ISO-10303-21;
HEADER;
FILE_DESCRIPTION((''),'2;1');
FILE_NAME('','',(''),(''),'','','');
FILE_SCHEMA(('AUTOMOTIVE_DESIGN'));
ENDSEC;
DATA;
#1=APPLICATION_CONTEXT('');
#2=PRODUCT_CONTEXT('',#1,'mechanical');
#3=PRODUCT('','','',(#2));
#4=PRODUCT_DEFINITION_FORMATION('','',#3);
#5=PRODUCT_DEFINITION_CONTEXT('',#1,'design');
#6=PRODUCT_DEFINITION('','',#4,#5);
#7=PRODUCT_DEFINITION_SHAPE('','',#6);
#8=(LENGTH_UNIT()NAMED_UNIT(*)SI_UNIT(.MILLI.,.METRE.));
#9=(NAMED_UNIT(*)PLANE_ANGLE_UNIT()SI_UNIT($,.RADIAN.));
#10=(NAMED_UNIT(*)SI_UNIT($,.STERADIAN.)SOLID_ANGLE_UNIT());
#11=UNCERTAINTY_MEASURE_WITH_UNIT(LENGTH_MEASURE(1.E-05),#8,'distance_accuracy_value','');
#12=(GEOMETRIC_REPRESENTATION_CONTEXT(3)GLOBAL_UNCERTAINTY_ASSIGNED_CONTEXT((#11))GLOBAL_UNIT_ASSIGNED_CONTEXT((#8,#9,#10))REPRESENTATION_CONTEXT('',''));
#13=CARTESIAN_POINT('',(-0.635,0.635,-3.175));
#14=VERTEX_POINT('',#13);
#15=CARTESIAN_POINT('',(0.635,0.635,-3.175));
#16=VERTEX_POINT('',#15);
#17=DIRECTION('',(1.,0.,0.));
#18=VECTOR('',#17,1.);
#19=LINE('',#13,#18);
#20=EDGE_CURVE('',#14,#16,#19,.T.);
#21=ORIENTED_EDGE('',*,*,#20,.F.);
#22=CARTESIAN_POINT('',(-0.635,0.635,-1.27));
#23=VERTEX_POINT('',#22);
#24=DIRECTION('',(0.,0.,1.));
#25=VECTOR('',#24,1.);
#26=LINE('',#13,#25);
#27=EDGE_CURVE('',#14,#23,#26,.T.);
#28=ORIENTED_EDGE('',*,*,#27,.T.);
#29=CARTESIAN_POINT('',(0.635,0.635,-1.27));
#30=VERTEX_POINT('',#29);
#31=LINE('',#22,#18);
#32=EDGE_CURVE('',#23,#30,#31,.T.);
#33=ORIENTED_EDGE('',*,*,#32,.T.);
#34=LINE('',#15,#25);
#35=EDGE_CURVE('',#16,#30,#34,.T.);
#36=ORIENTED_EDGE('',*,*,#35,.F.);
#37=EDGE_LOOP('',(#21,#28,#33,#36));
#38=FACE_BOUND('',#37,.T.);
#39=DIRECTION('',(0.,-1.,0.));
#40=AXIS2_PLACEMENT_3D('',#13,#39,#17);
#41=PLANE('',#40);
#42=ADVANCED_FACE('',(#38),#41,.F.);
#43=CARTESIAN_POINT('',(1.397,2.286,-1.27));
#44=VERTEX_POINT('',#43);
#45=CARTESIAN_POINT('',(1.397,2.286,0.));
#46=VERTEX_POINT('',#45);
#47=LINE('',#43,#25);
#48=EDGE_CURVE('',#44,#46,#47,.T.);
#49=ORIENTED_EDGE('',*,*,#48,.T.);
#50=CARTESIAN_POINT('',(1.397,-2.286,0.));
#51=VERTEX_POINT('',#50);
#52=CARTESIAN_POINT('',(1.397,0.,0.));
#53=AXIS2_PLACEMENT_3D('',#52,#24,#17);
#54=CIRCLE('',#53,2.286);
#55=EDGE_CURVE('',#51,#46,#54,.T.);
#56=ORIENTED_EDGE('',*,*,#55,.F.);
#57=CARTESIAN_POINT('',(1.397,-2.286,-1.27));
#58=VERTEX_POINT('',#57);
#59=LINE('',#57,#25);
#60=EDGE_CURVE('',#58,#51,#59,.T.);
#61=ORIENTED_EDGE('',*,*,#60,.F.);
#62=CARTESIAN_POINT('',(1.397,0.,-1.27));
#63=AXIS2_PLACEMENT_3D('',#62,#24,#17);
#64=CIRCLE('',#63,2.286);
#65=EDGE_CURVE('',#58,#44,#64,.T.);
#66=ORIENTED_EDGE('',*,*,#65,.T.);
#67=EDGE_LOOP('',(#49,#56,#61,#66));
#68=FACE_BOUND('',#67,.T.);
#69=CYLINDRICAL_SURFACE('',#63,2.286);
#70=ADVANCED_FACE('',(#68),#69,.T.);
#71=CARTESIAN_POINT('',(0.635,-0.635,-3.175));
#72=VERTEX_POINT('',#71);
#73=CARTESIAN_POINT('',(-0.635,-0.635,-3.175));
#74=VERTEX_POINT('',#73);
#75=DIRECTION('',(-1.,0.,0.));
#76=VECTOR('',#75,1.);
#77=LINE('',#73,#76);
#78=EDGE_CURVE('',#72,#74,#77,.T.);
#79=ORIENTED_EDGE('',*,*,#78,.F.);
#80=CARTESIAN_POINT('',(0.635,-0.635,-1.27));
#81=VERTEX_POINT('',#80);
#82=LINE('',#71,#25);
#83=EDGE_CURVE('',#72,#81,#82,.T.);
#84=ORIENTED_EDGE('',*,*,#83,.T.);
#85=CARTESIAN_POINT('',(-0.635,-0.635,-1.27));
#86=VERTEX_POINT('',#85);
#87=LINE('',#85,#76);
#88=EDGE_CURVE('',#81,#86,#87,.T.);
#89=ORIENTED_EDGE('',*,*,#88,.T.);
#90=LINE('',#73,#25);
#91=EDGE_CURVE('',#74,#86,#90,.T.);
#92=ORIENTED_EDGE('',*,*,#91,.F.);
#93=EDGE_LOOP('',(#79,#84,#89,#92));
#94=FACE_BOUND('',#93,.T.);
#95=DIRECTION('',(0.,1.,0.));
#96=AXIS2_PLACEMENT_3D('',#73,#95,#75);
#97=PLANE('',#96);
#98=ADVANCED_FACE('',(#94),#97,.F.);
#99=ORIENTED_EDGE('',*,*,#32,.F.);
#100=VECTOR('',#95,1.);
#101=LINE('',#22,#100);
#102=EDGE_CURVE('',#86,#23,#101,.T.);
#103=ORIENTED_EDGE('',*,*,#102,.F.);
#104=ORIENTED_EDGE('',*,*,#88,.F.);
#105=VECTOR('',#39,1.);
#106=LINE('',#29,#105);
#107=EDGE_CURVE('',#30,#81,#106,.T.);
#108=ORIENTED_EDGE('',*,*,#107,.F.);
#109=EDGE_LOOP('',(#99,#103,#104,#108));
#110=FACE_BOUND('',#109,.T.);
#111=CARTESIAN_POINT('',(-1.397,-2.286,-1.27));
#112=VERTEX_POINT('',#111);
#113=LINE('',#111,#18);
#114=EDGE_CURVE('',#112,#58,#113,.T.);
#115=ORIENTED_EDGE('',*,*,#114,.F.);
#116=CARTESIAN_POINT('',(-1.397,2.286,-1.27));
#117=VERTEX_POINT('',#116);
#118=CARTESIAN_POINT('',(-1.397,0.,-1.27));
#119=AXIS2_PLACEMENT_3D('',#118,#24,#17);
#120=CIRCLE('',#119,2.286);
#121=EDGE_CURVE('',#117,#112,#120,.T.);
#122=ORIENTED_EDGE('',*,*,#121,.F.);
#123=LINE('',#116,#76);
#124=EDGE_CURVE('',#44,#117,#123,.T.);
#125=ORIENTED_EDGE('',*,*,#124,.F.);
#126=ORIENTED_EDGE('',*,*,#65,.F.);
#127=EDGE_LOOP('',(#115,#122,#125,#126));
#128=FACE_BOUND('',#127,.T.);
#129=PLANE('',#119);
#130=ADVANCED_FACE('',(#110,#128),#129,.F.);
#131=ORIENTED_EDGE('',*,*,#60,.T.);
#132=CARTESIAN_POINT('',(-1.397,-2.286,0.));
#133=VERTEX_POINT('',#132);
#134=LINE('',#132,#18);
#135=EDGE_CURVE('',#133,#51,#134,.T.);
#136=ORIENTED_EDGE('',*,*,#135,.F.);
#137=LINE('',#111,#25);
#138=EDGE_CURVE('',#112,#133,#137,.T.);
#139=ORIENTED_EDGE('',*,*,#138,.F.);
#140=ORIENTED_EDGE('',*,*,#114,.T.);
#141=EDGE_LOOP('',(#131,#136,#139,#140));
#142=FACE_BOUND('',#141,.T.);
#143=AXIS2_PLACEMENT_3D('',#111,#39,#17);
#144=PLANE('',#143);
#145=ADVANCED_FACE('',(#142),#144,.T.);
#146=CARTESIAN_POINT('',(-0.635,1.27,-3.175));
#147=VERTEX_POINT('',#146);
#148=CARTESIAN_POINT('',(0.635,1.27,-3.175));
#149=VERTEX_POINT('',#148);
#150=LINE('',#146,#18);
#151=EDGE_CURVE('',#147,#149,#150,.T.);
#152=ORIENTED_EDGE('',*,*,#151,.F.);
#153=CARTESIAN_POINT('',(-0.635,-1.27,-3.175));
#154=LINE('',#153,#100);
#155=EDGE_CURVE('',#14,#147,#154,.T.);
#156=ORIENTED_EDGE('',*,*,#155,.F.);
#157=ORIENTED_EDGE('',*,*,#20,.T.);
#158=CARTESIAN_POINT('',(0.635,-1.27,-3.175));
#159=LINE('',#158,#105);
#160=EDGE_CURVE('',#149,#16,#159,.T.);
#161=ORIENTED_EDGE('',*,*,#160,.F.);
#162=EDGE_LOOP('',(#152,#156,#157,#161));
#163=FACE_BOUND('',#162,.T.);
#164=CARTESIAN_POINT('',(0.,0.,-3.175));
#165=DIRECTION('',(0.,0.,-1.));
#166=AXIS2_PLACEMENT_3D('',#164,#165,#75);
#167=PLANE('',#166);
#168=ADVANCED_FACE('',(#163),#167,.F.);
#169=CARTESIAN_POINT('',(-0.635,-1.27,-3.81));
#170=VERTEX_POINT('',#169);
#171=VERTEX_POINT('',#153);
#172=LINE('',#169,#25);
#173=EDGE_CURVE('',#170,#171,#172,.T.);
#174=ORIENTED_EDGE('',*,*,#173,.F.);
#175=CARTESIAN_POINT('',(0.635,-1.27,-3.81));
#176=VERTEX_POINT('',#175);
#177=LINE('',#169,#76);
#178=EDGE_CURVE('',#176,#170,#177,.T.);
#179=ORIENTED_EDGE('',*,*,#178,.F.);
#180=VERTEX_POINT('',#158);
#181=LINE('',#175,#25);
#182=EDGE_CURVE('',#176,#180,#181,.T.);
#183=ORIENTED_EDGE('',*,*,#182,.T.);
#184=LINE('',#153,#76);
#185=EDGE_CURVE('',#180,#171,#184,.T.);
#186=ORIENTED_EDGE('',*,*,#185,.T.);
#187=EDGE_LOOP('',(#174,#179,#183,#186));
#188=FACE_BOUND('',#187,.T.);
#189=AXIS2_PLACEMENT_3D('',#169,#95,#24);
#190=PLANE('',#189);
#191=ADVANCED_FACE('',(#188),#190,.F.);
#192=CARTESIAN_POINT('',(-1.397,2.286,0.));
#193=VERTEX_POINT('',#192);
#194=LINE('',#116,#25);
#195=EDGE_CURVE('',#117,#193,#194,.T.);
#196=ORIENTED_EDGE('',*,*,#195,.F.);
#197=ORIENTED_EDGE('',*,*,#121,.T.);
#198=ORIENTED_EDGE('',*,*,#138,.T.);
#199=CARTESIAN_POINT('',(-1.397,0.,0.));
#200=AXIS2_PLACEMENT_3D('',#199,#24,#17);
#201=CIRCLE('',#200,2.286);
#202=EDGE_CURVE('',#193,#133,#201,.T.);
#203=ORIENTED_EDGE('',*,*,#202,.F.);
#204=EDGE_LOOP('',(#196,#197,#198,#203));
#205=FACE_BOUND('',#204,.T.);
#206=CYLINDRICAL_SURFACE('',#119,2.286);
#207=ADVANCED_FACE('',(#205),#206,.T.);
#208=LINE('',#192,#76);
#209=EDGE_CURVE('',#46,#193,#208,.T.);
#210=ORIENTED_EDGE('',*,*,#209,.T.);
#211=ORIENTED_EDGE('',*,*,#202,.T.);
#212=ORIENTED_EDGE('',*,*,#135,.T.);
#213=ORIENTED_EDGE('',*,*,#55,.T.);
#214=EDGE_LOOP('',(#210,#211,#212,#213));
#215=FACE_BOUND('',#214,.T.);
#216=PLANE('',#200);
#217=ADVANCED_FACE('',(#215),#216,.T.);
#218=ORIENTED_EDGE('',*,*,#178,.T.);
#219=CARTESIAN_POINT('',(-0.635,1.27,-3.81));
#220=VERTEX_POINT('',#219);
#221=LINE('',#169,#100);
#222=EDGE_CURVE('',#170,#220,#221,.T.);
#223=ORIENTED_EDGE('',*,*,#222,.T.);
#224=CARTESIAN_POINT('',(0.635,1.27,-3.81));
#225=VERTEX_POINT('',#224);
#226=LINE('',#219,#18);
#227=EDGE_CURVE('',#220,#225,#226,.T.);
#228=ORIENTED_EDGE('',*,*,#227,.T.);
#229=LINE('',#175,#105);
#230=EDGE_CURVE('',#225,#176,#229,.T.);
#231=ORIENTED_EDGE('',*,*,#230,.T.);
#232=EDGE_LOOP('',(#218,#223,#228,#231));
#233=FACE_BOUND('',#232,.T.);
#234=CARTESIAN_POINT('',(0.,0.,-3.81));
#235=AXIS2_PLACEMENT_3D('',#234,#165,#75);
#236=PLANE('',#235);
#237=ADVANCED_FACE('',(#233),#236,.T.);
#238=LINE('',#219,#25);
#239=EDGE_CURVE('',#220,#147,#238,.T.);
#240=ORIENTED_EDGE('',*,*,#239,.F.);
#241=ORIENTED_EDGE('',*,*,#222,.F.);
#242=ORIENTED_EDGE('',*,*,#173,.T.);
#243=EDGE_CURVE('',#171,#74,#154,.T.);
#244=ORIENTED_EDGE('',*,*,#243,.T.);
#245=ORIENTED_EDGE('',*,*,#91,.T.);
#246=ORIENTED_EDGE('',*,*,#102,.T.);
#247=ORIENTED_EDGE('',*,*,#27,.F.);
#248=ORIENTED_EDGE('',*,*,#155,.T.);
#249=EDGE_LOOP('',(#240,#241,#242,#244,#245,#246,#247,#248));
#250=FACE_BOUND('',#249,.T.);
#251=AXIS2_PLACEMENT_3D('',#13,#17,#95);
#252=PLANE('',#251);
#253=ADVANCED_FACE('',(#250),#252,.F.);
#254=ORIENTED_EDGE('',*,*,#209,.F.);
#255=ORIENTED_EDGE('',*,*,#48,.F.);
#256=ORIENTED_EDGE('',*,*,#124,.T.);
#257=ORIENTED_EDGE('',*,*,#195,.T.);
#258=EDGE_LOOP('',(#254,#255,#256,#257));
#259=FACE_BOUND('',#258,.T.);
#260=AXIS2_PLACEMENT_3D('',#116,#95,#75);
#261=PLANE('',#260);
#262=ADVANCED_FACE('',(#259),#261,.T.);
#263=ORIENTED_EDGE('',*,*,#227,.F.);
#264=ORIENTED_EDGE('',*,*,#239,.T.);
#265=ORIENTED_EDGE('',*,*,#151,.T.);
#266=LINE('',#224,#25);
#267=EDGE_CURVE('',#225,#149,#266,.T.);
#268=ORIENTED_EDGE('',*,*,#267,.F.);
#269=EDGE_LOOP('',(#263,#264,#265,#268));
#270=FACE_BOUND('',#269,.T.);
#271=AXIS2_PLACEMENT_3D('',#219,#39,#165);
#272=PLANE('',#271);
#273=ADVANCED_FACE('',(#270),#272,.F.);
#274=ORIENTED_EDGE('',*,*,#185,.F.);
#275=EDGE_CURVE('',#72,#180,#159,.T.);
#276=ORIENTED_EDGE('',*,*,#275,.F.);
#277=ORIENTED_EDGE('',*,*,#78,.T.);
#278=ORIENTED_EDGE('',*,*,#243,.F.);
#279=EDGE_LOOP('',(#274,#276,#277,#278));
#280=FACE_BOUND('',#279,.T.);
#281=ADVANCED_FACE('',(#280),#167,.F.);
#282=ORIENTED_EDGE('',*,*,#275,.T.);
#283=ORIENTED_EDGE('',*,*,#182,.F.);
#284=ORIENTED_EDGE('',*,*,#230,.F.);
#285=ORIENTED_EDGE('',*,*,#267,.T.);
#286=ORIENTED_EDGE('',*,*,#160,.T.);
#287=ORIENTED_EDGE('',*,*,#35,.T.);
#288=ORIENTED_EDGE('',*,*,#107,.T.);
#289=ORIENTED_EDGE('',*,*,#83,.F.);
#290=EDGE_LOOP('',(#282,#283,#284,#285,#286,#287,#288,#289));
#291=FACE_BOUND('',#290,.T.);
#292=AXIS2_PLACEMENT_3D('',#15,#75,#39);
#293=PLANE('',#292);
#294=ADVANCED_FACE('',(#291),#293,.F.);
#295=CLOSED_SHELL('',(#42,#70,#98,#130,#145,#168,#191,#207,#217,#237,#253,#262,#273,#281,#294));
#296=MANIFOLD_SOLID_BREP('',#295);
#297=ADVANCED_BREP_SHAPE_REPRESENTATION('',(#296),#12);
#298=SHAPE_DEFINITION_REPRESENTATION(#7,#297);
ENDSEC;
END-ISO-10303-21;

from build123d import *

# Parameters (mm, degrees)
BOSS_EXTRUDE1_DEPTH = 1.27
SKETCH5_W           = 1.27
SKETCH5_H           = 1.27
BOSS_EXTRUDE2_DEPTH = 1.905
SKETCH6_W           = 1.27
SKETCH6_H           = 2.54
BOSS_EXTRUDE3_DEPTH = 0.635


with BuildPart() as part:
    # Sketch3 → Boss-Extrude1 (new body)
    with BuildSketch(Plane.XY):
        with BuildLine():
            Line((-1.397, 2.286), (1.397, 2.286))
            ThreePointArc((1.397, 2.286), (3.683, 0), (1.397, -2.286))
            Line((1.397, -2.286), (-1.397, -2.286))
            ThreePointArc((-1.397, -2.286), (-3.683, 0), (-1.397, 2.286))
        make_face()
    extrude(amount=-BOSS_EXTRUDE1_DEPTH)

    # Sketch5 → Boss-Extrude2 (add)
    with BuildSketch(Plane(origin=(0, 0, -1.27), x_dir=(-1, 0, 0), z_dir=(0, 0, -1))):
        Rectangle(SKETCH5_W, SKETCH5_H)
    extrude(amount=BOSS_EXTRUDE2_DEPTH)

    # Sketch6 → Boss-Extrude3 (add)
    with BuildSketch(Plane(origin=(0, 0, -3.175), x_dir=(-1, 0, 0), z_dir=(0, 0, -1))):
        Rectangle(SKETCH6_W, SKETCH6_H)
    extrude(amount=BOSS_EXTRUDE3_DEPTH)


solid = part.part
